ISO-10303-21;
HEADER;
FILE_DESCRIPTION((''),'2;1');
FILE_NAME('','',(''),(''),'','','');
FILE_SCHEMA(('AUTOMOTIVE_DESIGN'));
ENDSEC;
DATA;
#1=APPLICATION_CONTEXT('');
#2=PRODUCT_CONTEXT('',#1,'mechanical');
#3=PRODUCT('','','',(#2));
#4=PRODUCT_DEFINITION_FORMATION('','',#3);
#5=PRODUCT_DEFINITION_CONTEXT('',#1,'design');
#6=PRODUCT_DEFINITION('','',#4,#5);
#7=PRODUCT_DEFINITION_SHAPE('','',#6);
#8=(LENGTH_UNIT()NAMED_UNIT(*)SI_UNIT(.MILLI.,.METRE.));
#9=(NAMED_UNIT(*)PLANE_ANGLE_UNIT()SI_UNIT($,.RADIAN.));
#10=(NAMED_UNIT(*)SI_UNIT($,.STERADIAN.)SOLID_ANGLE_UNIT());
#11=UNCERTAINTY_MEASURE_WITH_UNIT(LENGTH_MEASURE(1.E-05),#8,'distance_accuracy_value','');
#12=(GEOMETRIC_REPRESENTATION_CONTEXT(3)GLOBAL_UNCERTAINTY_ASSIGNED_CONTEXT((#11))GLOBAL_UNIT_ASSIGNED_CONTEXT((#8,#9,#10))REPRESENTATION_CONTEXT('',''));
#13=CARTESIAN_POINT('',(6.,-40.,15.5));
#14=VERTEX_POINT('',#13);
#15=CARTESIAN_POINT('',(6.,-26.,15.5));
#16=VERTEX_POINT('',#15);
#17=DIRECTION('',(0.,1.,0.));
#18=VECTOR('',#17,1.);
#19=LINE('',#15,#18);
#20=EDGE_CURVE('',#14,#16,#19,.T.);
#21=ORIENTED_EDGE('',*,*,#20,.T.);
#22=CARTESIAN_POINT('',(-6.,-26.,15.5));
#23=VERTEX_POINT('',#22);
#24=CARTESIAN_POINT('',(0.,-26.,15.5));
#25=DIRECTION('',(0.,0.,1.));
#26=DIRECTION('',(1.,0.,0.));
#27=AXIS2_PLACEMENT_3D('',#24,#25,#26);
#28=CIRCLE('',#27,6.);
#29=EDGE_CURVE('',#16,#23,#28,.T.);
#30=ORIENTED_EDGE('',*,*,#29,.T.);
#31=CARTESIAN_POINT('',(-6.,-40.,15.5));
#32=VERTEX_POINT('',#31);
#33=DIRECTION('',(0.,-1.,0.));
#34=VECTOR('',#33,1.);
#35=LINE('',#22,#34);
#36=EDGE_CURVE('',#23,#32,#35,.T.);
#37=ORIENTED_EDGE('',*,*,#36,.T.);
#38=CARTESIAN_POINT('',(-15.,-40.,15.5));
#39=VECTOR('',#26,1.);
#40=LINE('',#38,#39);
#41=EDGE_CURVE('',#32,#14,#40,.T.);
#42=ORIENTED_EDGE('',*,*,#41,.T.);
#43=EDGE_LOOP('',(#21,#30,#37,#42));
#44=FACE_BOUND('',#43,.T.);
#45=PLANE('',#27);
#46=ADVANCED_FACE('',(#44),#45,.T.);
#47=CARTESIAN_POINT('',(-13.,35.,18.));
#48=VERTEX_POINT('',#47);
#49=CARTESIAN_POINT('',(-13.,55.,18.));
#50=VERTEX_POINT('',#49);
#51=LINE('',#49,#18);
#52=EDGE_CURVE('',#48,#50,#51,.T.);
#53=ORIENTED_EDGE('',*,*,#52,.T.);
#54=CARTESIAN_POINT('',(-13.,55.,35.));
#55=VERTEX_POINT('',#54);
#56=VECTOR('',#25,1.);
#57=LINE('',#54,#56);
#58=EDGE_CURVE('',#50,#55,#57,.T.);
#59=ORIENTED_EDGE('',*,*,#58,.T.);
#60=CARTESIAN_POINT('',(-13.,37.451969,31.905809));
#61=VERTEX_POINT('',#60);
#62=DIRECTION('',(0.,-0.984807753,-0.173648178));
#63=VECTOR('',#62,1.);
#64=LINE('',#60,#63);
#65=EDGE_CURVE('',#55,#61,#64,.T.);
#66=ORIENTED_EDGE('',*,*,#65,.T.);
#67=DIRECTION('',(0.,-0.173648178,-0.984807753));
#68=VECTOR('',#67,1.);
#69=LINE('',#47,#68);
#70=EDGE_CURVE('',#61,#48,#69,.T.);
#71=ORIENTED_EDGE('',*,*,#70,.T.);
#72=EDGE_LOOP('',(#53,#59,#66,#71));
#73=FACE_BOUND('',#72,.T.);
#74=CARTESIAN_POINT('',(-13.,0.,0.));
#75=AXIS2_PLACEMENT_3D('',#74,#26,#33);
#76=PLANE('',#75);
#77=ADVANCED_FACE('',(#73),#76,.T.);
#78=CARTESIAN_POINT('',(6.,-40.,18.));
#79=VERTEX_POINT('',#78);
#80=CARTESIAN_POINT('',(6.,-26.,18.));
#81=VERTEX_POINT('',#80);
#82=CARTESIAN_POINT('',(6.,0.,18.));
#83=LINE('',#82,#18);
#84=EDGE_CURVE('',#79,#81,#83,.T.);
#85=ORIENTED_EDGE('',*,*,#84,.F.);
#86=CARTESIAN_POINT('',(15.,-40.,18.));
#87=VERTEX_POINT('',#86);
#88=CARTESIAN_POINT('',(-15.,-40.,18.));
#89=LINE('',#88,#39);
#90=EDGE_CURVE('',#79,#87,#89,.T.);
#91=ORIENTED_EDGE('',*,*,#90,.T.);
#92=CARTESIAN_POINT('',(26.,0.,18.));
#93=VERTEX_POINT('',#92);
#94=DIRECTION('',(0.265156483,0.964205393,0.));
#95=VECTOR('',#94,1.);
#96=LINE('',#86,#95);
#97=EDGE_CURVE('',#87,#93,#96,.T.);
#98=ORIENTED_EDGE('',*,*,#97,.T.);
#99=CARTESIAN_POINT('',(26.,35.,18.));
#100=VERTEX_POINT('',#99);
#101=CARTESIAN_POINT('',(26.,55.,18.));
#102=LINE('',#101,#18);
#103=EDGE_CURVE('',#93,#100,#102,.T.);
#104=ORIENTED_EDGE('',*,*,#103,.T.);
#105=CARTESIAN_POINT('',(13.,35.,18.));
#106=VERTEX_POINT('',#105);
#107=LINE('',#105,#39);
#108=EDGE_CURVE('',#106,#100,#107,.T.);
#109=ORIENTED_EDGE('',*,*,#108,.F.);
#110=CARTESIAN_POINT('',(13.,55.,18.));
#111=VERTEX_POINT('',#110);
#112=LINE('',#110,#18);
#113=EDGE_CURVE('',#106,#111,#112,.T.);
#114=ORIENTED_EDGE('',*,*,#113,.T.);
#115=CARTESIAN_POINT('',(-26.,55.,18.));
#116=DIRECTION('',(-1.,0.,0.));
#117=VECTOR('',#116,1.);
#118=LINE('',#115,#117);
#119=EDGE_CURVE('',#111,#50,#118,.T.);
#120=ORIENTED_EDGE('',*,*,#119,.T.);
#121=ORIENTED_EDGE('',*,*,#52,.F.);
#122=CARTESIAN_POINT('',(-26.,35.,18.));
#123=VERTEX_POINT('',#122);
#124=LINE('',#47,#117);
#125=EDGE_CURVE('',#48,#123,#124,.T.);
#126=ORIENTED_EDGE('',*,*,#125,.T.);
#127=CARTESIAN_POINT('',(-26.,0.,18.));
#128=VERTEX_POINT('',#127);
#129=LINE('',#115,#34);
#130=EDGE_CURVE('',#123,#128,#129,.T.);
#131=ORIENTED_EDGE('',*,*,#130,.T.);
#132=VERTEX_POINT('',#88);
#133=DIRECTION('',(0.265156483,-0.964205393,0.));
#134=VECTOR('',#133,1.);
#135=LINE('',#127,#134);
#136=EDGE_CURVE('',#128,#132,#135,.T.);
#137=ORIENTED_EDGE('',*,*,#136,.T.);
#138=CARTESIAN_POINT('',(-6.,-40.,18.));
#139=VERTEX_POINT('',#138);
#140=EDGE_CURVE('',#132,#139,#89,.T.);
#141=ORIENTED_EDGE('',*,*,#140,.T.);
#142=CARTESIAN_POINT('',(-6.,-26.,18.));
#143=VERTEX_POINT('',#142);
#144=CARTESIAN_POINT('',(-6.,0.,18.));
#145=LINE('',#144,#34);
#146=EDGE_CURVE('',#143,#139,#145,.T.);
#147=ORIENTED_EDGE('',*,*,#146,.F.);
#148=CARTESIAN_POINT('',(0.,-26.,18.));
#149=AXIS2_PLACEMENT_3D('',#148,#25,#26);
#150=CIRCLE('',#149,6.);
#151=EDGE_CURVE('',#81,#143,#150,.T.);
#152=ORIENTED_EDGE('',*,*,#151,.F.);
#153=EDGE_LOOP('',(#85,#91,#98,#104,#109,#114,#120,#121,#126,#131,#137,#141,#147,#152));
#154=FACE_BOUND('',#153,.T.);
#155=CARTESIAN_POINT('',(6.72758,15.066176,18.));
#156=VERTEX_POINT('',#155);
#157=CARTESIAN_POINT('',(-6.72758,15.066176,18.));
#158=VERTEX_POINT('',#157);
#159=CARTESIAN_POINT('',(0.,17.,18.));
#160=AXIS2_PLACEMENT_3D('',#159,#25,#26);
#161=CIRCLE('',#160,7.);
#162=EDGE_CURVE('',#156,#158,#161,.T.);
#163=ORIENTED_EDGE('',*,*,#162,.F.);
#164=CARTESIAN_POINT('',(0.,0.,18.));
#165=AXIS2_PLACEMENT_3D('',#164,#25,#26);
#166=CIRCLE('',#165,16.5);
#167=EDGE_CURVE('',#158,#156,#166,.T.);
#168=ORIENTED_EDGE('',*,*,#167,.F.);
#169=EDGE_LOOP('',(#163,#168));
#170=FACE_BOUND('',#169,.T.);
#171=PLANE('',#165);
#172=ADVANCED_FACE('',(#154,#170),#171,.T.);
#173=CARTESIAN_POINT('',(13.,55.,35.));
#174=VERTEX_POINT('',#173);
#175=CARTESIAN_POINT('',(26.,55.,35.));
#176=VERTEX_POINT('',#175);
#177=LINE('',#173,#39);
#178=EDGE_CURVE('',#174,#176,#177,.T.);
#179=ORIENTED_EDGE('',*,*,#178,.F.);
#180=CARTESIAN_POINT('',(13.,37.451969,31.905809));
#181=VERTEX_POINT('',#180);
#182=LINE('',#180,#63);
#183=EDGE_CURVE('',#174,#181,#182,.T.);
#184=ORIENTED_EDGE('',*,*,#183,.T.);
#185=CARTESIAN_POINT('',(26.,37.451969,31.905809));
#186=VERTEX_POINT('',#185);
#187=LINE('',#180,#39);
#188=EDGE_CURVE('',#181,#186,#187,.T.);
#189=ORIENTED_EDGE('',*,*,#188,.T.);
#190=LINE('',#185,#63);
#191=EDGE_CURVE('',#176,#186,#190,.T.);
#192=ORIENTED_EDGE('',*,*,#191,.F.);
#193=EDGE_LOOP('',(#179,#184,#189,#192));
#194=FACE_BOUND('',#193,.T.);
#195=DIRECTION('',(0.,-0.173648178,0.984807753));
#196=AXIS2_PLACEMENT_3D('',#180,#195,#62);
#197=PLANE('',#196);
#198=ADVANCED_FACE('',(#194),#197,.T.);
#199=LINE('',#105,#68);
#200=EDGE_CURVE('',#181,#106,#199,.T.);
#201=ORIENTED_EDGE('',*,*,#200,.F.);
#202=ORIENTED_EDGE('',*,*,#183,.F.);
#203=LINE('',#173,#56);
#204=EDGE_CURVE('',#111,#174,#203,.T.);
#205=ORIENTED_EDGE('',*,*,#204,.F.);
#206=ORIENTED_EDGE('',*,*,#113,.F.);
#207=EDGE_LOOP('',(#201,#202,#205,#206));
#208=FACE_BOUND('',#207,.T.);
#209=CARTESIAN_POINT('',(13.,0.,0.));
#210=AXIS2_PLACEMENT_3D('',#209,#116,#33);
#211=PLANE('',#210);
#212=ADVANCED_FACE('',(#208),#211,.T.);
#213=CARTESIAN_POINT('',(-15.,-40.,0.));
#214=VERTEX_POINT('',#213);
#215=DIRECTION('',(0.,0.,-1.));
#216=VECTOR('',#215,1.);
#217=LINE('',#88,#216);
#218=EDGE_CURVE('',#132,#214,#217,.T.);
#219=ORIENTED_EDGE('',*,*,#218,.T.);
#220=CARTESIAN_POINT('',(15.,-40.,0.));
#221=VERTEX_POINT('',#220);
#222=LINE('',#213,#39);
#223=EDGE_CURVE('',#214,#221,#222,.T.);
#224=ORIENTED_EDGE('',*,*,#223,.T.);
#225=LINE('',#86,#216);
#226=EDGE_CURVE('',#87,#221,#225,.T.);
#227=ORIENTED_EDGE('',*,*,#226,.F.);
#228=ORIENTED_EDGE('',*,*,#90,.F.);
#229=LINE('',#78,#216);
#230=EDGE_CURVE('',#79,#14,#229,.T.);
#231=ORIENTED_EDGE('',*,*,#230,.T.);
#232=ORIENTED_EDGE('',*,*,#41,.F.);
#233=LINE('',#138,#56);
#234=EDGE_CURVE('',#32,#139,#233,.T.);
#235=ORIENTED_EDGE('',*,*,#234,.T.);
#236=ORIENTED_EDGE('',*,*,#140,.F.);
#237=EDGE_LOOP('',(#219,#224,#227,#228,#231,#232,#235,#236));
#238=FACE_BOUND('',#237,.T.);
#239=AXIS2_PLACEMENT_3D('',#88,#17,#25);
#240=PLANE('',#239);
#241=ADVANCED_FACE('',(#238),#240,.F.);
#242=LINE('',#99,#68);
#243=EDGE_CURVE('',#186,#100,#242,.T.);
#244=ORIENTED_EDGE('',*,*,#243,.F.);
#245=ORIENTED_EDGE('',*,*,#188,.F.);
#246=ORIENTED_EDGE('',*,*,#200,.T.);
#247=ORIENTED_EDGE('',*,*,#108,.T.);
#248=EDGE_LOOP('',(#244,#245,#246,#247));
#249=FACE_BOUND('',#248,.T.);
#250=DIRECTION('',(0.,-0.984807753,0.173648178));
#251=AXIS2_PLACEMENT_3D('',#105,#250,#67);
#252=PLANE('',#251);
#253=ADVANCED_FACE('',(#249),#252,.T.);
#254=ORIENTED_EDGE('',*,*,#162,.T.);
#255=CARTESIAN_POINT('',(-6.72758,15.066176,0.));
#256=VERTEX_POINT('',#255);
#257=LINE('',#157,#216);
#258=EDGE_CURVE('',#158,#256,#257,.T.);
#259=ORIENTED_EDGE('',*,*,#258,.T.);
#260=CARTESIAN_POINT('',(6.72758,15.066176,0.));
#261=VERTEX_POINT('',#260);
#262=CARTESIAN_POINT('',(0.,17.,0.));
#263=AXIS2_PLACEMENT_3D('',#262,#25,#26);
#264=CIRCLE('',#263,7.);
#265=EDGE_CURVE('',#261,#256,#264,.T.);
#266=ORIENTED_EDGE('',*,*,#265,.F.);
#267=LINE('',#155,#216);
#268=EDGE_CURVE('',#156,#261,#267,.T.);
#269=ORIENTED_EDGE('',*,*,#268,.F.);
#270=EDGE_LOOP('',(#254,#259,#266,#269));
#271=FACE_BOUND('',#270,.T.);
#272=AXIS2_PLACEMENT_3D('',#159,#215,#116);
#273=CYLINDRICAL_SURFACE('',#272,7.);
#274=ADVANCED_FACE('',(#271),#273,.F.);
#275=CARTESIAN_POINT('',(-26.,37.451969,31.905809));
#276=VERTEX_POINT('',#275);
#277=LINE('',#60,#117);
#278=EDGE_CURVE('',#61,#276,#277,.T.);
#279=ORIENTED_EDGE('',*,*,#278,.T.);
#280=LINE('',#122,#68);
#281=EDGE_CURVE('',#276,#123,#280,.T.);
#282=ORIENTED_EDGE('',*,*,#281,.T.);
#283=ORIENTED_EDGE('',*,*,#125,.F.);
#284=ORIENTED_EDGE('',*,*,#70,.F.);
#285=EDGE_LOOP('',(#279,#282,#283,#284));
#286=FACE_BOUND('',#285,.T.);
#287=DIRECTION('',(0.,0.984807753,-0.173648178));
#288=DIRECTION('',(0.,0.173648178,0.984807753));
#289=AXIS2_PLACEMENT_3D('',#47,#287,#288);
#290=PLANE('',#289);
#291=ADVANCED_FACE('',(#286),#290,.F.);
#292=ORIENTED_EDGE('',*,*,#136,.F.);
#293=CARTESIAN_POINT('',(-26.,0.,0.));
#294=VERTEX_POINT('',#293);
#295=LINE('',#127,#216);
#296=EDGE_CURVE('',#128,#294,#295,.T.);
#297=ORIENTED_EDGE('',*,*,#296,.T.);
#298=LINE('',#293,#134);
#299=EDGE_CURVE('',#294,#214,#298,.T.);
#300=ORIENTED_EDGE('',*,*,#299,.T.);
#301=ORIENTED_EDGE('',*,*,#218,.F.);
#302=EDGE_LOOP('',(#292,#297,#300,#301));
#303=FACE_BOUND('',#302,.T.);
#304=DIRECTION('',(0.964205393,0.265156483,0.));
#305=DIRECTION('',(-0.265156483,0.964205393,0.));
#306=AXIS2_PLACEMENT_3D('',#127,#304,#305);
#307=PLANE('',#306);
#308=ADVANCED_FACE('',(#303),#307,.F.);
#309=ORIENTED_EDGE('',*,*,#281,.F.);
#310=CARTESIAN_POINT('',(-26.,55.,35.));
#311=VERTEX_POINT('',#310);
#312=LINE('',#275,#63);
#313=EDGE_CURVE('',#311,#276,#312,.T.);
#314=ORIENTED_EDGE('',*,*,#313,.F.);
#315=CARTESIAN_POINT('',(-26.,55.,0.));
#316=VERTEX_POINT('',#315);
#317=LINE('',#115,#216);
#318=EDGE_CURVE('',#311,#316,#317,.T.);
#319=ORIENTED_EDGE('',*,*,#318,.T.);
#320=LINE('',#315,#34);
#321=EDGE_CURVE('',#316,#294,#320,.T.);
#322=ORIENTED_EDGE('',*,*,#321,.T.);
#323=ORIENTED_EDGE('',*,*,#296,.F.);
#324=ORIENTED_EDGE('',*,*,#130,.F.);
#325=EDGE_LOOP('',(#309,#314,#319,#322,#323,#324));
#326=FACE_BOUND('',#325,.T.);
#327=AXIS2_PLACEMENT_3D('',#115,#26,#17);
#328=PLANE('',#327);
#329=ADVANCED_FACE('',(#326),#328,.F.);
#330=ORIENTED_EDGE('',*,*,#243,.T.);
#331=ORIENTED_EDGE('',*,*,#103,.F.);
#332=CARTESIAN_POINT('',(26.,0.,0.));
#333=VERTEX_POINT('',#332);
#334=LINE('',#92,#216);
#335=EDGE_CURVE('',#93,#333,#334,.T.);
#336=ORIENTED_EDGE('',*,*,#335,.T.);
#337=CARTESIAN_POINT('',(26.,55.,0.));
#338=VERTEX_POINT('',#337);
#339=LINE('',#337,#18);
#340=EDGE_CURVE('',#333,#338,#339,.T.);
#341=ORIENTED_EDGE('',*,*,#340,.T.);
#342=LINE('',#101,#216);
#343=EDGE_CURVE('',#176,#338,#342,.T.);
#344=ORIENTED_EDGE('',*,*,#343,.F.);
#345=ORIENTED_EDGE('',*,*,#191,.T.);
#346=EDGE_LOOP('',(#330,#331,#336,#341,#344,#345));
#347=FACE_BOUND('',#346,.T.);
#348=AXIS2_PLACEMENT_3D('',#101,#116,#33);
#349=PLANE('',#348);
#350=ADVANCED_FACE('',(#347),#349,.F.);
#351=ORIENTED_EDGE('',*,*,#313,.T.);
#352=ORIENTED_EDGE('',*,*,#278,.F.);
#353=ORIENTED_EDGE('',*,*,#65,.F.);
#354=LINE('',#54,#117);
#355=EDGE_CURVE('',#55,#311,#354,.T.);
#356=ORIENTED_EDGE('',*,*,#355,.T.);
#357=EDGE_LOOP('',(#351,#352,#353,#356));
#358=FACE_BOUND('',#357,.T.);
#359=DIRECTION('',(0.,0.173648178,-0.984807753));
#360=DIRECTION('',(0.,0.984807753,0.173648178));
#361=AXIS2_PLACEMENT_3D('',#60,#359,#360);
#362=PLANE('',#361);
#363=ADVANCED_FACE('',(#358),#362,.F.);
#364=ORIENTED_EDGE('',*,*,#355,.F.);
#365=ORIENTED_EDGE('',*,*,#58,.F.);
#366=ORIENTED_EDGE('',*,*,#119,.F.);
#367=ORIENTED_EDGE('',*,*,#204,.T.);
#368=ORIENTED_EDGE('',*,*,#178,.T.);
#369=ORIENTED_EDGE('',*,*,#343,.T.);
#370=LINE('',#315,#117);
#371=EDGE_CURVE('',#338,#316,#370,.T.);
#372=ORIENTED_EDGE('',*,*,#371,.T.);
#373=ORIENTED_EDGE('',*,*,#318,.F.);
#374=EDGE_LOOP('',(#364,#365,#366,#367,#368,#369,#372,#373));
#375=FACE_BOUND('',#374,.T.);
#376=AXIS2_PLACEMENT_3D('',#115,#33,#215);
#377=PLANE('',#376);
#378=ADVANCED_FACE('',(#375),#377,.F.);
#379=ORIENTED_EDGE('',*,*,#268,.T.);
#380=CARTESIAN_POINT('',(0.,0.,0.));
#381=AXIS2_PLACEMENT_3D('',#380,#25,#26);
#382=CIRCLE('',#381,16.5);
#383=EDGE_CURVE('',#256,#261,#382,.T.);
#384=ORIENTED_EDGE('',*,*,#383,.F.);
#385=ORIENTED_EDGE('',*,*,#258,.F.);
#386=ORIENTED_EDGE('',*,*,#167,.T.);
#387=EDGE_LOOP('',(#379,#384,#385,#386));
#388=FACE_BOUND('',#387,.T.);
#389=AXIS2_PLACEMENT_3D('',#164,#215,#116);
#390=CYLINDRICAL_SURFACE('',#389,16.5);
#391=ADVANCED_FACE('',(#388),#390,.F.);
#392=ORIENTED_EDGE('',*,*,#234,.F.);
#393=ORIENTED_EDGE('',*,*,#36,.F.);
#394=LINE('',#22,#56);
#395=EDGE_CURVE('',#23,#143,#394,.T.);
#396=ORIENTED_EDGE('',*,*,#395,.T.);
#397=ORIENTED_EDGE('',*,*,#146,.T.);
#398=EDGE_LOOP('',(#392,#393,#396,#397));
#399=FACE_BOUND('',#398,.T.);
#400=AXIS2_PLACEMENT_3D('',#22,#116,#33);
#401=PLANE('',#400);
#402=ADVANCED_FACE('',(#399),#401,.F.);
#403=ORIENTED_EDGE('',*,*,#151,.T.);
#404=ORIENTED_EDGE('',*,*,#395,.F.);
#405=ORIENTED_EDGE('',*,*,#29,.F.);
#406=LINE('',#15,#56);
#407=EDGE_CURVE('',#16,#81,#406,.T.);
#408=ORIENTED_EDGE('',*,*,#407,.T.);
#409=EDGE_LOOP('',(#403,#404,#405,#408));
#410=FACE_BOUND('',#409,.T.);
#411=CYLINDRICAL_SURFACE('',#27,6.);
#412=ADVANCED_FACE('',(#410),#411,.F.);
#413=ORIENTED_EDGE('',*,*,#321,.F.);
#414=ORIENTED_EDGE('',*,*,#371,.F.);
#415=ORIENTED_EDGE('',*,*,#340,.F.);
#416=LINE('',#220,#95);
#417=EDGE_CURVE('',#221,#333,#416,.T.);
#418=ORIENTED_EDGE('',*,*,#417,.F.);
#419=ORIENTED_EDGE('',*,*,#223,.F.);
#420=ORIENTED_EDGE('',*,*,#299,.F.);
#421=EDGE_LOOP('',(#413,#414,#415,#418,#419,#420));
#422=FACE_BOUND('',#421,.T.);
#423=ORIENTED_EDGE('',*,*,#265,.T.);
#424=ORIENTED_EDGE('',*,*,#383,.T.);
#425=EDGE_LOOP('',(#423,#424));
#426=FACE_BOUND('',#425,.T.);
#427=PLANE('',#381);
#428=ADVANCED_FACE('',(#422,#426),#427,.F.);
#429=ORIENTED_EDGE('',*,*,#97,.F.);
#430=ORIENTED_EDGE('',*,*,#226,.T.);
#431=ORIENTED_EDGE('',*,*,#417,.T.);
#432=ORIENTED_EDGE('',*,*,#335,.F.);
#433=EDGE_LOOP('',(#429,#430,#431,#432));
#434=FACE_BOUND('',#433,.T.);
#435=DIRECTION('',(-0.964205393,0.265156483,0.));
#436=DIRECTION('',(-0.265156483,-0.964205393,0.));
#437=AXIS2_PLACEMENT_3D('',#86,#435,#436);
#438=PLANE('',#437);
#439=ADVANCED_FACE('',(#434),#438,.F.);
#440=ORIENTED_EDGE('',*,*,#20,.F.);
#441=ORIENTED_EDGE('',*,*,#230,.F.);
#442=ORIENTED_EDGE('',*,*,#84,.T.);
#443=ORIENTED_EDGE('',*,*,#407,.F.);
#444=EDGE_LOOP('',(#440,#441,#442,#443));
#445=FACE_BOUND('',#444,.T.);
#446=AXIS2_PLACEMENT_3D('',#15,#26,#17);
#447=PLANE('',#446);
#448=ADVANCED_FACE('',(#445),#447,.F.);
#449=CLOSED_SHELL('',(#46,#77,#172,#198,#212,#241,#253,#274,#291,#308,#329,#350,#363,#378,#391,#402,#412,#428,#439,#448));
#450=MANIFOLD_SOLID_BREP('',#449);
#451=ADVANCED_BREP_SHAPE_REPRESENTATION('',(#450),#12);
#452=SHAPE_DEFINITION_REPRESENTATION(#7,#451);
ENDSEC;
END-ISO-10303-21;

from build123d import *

# Parameters (mm, degrees)
EXTRUDE_1_DEPTH     = 18
EXTRUDE_2_DEPTH     = 13
CUT_EXTRUDE_1_DEPTH = 2.5


with BuildPart() as part:
    # 草图1 → 凸台-拉伸1 (new body)
    with BuildSketch(Plane.XY):
        Polygon((-26, 0), (-15, -40), (15, -40), (26, 0), (26, 55), (-26, 55), align=None)
        with BuildLine():
            ThreePointArc((-6.727579547, 15.066176471), (0, -16.5), (6.727579547, 15.066176471))
            ThreePointArc((6.727579547, 15.066176471), (0, 24), (-6.727579547, 15.066176471))
        make_face(mode=Mode.SUBTRACT)
    extrude(amount=EXTRUDE_1_DEPTH)

    # 草图2 → 凸台-拉伸2 (add)
    with BuildSketch(Plane(origin=(26, 0, 0), x_dir=(0, 0, -1), z_dir=(1, 0, 0))):
        Polygon((-18, 55), (-18, 35), (-31.905808723, 37.451969267), (-35, 55), align=None)
    extrude_2 = extrude(amount=-EXTRUDE_2_DEPTH)

    # 镜向1: 凸台-拉伸2 across plane
    add(extrude_2.mirror(Plane(origin=(0, 0, 0), x_dir=(0, 0, 1), z_dir=(1, 0, 0))))

    # 草图3 → 切除-拉伸1 (cut, symmetric)
    with BuildSketch(Plane.XY.offset(18)):
        with BuildLine():
            Line((-6, -26), (-6, -55.48155058))
            Line((-6, -55.48155058), (6, -55.48155058))
            Line((6, -55.48155058), (6, -26))
            ThreePointArc((6, -26), (0, -20), (-6, -26))
        make_face()
    extrude(amount=CUT_EXTRUDE_1_DEPTH, both=True, mode=Mode.SUBTRACT)


solid = part.part
